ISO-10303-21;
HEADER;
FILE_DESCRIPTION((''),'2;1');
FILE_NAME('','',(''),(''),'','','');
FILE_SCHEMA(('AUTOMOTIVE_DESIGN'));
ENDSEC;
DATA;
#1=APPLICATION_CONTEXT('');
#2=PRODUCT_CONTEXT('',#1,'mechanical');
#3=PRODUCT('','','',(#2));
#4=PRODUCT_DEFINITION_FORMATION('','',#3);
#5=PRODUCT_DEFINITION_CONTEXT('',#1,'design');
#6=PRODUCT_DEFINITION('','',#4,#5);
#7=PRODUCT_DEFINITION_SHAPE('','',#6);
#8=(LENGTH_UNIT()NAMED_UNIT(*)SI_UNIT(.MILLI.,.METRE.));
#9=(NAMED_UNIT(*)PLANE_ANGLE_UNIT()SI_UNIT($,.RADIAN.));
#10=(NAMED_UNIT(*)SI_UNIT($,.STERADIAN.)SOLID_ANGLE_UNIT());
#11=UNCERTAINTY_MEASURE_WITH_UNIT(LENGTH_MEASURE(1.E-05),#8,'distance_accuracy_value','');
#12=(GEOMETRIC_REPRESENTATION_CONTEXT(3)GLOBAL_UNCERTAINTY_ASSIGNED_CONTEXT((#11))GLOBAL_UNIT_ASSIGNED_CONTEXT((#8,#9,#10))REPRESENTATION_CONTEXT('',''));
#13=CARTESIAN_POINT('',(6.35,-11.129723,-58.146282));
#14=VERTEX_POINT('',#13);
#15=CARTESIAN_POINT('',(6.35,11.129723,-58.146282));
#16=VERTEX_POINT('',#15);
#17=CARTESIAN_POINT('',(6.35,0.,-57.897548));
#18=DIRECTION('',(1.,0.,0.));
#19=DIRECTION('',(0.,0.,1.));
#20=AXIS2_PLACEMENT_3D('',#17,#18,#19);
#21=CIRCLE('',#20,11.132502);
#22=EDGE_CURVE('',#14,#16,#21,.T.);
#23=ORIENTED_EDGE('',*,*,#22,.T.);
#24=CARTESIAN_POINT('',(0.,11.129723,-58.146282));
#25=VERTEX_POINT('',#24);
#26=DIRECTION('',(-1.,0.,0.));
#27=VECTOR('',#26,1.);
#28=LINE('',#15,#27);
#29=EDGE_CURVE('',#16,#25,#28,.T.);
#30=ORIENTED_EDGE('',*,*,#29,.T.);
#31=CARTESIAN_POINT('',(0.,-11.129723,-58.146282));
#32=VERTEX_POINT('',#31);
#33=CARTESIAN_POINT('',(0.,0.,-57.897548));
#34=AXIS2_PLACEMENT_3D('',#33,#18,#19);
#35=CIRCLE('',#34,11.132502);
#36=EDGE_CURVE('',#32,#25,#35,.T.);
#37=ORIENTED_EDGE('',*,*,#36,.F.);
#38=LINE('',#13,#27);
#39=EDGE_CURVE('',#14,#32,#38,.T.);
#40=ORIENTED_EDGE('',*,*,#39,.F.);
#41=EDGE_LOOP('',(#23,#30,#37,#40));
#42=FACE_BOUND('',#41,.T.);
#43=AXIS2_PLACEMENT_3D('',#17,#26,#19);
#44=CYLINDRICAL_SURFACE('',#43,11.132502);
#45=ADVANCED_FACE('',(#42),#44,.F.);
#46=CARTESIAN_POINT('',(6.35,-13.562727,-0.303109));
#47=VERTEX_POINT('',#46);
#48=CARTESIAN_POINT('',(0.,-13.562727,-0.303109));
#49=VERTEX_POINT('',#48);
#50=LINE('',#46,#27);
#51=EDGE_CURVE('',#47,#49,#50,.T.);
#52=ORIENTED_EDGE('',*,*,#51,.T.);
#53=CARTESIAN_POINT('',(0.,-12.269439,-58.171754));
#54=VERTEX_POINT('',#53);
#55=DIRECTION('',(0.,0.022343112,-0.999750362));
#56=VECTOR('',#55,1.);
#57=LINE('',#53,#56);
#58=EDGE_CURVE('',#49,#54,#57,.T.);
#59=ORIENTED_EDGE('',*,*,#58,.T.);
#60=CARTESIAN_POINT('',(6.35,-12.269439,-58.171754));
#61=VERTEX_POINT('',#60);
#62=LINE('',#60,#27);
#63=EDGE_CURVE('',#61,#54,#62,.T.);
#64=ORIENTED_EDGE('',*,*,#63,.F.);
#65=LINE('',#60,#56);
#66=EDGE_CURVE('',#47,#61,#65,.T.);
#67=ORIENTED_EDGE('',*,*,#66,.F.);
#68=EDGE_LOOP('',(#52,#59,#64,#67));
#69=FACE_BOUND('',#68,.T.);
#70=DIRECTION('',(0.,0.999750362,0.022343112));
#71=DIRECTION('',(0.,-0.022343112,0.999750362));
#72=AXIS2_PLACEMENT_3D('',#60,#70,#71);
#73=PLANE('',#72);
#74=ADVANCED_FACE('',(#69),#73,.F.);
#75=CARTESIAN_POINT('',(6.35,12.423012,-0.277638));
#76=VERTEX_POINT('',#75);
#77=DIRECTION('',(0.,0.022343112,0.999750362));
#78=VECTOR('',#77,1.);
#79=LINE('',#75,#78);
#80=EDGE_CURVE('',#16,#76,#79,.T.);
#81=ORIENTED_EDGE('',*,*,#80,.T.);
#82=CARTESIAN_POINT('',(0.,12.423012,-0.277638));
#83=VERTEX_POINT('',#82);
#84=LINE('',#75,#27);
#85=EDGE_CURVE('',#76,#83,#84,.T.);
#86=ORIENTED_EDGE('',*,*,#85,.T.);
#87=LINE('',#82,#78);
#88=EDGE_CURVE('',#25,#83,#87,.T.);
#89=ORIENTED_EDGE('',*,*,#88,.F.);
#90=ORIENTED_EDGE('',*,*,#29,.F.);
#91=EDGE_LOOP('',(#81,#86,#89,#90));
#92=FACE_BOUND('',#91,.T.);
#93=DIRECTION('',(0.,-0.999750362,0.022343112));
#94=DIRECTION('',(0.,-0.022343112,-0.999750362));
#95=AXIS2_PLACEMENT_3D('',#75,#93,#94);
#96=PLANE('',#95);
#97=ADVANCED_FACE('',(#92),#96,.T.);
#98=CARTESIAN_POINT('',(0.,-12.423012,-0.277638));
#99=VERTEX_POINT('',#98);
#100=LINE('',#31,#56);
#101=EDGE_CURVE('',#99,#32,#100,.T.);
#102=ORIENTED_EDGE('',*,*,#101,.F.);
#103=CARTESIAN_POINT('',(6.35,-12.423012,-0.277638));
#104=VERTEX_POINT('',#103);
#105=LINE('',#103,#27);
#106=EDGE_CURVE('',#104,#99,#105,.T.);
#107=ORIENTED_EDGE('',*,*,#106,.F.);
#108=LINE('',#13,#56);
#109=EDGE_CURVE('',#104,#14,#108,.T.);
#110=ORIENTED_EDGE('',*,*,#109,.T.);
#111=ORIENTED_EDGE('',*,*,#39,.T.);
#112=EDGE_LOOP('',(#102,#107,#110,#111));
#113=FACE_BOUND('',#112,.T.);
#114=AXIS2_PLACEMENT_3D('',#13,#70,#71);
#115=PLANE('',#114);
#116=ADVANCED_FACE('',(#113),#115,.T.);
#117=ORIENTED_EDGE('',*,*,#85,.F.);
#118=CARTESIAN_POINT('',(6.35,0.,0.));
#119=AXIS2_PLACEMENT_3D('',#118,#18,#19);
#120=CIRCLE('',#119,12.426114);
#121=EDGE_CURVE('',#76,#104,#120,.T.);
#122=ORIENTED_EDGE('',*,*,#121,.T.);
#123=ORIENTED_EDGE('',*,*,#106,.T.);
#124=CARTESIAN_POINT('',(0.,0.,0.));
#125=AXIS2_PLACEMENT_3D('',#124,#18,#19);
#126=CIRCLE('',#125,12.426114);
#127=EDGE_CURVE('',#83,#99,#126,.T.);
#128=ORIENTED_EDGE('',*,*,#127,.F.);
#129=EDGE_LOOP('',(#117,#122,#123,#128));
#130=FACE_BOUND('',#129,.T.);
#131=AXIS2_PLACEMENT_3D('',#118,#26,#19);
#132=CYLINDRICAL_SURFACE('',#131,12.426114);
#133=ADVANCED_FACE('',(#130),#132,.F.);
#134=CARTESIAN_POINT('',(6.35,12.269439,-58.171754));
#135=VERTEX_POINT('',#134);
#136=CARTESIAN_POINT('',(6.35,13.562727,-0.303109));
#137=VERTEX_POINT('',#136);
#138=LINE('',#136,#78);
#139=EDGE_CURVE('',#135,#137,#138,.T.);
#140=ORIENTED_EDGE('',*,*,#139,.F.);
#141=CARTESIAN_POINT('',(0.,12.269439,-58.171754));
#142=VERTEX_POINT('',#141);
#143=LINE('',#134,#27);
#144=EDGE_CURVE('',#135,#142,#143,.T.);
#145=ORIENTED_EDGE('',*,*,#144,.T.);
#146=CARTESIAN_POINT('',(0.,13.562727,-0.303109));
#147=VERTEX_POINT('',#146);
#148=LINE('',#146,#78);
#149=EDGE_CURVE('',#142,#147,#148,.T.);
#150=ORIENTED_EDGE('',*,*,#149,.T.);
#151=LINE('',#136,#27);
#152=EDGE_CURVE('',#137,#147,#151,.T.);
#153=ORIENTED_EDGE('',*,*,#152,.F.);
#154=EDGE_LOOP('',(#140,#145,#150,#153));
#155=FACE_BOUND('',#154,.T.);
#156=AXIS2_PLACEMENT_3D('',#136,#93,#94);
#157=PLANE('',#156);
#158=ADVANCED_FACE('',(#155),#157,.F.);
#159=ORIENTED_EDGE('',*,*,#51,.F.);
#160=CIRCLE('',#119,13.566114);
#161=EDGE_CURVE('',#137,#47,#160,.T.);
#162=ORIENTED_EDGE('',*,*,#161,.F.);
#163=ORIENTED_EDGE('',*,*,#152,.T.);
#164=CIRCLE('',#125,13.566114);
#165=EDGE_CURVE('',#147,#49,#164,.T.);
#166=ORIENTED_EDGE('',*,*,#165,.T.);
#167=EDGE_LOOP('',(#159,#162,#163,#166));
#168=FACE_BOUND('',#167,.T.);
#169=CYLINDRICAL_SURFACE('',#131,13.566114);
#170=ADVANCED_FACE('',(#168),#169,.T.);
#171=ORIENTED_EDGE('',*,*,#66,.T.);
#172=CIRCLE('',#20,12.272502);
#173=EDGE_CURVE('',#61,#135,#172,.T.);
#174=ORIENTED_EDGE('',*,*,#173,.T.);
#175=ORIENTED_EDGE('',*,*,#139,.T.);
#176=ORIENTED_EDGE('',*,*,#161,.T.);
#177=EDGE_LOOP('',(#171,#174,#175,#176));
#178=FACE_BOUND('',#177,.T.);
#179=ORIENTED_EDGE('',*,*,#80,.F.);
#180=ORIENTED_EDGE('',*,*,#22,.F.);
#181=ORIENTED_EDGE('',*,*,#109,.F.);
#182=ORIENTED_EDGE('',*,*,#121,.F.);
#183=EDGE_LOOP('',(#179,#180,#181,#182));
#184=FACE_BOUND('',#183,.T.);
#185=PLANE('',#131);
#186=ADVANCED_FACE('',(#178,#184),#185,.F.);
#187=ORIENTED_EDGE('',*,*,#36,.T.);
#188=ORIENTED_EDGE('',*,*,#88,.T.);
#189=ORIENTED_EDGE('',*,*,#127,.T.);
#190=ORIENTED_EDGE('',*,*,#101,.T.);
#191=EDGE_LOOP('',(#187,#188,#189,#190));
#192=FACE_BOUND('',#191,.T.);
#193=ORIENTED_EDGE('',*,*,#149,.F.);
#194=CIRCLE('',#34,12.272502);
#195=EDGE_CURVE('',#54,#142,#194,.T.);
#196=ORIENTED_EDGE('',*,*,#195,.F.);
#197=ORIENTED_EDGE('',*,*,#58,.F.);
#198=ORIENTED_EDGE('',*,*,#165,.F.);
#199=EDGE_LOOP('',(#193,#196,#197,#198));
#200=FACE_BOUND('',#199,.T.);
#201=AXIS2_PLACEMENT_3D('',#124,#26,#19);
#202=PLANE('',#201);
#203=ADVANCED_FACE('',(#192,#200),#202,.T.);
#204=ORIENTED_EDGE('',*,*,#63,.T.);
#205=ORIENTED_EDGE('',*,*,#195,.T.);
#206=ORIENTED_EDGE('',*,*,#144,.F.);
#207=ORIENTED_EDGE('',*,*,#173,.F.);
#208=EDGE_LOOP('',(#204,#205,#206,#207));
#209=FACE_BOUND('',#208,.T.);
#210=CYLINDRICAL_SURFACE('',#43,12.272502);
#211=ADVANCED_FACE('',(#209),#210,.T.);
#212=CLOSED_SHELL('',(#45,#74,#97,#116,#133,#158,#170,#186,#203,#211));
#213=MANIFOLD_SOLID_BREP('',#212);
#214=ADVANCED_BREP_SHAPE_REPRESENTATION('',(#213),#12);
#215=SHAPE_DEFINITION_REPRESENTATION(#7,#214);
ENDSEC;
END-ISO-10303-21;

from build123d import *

# Parameters (mm, degrees)
BOSS_EXTRUDE1_DEPTH = 6.35


with BuildPart() as part:
    # Sketch1 → Boss-Extrude1 (new body)
    with BuildSketch(Plane(origin=(0, 0, 0), x_dir=(0, 0, -1), z_dir=(1, 0, 0))):
        with BuildLine():
            Line((0.303109196, 13.56272715), (58.171753639, 12.269438708))
            ThreePointArc((58.171753639, 12.269438708), (70.170050144, 0), (58.171753639, -12.269438708))
            Line((58.171753639, -12.269438708), (0.303109196, -13.56272715))
            ThreePointArc((0.303109196, -13.56272715), (-13.566113775, 0), (0.303109196, 13.56272715))
        make_face()
        with BuildLine():
            Line((0.277638048, 12.423011738), (58.146282492, 11.129723296))
            ThreePointArc((58.146282492, 11.129723296), (69.030050144, 0), (58.146282492, -11.129723296))
            Line((58.146282492, -11.129723296), (0.277638048, -12.423011738))
            ThreePointArc((0.277638048, -12.423011738), (-12.426113775, 0), (0.277638048, 12.423011738))
        make_face(mode=Mode.SUBTRACT)
    extrude(amount=BOSS_EXTRUDE1_DEPTH)


solid = part.part
